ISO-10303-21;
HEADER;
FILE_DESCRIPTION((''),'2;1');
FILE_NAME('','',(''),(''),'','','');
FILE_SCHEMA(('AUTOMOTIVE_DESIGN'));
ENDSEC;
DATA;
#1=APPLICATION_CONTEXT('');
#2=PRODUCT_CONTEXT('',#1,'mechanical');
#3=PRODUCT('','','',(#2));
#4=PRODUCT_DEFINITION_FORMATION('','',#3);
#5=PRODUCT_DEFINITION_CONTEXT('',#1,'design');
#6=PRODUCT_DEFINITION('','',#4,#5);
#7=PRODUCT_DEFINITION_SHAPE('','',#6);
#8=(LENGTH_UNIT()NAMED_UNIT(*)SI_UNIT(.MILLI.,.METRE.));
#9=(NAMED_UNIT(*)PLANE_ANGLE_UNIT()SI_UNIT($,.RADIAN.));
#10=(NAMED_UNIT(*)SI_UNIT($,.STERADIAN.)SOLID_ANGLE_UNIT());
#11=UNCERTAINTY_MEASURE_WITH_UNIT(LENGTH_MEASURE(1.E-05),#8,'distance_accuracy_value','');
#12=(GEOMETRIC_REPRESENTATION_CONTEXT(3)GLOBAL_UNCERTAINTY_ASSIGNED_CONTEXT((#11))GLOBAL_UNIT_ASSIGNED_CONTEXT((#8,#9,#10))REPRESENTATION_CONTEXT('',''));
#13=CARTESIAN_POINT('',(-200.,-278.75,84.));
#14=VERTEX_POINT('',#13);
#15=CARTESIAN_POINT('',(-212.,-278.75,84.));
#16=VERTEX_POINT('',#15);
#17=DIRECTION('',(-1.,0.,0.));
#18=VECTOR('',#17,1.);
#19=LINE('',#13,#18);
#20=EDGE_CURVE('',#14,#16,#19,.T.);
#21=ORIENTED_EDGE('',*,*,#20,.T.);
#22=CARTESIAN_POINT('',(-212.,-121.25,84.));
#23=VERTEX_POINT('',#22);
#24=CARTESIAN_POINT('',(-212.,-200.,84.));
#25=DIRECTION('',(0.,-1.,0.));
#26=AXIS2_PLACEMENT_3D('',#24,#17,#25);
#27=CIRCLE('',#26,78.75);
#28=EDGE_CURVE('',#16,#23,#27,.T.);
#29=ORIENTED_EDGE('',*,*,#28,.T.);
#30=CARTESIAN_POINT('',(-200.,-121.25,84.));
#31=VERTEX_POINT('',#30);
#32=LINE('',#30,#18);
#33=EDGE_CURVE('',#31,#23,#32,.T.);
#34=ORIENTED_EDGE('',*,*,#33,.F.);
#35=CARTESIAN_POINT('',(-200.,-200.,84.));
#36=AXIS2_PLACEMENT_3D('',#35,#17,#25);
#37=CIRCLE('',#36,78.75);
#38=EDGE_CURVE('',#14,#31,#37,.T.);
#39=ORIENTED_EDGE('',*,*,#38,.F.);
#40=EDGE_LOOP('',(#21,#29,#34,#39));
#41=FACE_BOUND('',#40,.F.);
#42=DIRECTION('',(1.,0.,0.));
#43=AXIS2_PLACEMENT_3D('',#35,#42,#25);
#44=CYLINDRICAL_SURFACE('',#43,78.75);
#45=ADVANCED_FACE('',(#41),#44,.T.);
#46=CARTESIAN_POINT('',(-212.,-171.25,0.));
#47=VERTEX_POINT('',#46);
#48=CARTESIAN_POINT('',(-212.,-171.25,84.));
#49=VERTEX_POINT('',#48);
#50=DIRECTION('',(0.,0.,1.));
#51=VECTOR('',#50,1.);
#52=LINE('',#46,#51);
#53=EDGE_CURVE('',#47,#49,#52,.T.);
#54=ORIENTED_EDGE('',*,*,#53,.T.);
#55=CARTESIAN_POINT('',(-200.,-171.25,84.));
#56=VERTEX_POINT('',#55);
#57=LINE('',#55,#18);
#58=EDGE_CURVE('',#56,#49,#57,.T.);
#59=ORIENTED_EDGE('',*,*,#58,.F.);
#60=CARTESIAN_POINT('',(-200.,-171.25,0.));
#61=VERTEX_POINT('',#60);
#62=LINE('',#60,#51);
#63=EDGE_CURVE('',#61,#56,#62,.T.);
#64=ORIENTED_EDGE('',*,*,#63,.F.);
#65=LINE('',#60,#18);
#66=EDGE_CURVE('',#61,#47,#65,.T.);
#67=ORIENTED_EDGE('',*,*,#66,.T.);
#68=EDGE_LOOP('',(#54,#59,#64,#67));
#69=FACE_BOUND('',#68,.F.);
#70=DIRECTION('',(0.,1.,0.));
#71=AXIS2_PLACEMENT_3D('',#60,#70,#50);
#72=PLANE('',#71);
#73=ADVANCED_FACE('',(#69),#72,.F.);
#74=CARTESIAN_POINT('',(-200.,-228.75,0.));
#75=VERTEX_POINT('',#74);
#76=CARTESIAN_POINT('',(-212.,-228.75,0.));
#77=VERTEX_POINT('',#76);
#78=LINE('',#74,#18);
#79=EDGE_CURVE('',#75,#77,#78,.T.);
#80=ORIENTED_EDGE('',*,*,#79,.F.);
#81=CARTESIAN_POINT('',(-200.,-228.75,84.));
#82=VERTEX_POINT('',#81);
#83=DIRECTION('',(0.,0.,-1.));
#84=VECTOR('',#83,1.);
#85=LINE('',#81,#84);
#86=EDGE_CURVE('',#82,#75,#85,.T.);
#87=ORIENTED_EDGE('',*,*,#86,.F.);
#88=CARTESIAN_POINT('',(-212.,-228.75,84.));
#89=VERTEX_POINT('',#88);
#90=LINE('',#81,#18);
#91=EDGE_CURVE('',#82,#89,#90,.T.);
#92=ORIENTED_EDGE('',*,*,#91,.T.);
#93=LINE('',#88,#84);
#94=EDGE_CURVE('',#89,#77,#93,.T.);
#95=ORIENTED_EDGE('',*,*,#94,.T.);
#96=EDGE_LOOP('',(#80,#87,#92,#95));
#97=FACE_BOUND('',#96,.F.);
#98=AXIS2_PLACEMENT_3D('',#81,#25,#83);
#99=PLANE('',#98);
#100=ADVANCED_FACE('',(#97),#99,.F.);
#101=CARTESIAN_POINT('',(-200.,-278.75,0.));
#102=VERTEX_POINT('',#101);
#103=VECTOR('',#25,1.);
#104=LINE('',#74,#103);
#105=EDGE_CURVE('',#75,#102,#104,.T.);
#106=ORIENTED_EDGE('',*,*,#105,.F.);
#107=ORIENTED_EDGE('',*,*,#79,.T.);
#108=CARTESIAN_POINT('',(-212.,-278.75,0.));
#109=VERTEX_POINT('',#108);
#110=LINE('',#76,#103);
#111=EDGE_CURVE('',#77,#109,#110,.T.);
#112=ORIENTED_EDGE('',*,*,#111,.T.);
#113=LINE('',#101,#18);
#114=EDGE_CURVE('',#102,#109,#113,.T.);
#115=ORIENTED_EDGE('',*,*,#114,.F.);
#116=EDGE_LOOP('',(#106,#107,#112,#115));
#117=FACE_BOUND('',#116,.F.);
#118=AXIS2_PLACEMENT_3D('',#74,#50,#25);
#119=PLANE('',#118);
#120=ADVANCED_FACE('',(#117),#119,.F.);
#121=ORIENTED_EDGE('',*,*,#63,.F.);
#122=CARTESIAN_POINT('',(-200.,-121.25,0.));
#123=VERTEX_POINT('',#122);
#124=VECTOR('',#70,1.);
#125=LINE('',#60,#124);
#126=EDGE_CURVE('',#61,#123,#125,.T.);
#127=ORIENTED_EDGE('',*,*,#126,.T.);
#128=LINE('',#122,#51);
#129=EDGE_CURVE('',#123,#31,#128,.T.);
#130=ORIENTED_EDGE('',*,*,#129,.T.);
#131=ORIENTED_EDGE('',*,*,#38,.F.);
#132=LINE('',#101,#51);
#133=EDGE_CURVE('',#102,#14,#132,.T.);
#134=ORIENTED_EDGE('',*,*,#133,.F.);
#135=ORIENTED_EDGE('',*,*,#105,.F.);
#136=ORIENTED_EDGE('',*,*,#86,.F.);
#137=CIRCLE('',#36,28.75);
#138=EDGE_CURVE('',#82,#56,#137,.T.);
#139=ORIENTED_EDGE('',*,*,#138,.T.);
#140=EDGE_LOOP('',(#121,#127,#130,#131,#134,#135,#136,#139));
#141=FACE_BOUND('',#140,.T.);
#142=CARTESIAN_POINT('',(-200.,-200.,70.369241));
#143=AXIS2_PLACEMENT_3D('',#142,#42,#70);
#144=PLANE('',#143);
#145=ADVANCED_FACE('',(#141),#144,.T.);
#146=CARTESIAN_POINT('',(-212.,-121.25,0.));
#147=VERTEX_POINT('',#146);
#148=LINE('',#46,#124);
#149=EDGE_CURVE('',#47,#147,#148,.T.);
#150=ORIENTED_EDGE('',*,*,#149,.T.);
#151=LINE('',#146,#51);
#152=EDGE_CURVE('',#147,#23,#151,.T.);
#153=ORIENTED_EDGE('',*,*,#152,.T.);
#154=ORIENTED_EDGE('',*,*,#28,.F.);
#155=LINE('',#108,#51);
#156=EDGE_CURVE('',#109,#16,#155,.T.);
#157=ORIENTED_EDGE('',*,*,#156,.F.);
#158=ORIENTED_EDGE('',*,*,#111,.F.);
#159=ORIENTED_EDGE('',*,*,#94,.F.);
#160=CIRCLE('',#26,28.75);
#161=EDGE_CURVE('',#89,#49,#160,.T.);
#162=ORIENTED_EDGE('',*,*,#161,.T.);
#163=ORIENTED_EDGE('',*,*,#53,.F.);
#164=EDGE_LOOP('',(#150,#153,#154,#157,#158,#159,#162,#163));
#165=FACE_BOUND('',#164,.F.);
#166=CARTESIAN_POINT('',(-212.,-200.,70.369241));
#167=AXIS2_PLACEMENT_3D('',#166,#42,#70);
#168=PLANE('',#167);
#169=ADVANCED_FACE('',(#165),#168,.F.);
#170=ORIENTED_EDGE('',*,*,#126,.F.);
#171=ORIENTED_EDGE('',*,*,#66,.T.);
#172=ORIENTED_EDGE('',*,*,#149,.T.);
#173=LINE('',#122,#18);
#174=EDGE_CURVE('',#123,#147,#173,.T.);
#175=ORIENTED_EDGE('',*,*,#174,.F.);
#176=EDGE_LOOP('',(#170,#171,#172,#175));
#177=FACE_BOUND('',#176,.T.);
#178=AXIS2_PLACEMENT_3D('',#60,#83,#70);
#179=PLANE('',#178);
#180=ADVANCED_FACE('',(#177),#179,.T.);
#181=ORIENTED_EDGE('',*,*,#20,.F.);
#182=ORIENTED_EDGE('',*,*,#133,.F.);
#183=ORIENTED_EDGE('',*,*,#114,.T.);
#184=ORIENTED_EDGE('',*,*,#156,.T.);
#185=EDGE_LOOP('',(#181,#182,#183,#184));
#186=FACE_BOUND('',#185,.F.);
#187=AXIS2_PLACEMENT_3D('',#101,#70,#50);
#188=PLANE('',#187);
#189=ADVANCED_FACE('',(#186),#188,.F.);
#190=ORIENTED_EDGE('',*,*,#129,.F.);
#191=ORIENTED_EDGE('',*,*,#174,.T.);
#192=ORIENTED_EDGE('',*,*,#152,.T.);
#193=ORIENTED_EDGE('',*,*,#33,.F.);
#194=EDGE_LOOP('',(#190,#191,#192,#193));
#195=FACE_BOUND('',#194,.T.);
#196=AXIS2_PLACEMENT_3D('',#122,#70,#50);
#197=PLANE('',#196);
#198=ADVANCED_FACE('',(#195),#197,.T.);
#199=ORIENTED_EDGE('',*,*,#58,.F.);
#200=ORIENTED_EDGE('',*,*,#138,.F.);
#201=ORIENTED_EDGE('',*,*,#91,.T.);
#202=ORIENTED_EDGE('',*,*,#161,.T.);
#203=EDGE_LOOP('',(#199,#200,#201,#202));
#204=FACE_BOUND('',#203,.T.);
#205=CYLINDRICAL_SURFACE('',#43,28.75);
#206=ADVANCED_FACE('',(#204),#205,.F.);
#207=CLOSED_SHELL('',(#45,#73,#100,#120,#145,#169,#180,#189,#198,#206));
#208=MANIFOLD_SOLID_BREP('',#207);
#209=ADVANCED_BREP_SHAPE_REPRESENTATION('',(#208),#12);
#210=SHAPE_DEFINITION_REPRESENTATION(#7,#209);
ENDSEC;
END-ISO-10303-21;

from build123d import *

# Parameters (mm, degrees)
PAD010_DEPTH = 12


with BuildPart() as support_hook:
    # Sketch023 → Pad010 (new body)
    with BuildSketch(Plane.YZ):
        with BuildLine():
            Line((-28.75, 0), (-78.75, 0))
            Line((-78.75, 0), (-78.75, 84))
            ThreePointArc((78.75, 84), (0, 162.75), (-78.75, 84))
            Line((78.75, 0), (78.75, 84))
            Line((28.75, 0), (78.75, 0))
            Line((28.75, 84), (28.75, 0))
            ThreePointArc((28.75, 84), (0, 112.75), (-28.75, 84))
            Line((-28.75, 0), (-28.75, 84))
        make_face()
    extrude(amount=PAD010_DEPTH)


with BuildPart() as support_hook_1:
    # Body011 placement: moved
    add(support_hook.part.moved(Location((200, 200, 0))))


with BuildPart() as part_mirroring007:
    # Part__Mirroring007: instance of support_hook
    add(support_hook_1.part.mirror(Plane(origin=(0, 0, 0), x_dir=(1, 0, 0), z_dir=(0, 1, 0))))


with BuildPart() as part_mirroring008:
    # Part__Mirroring008: instance of Part__Mirroring007
    add(part_mirroring007.part.mirror(Plane(origin=(0, 0, 0), x_dir=(0, -1, 0), z_dir=(1, 0, 0))))


solid = part_mirroring008.part
